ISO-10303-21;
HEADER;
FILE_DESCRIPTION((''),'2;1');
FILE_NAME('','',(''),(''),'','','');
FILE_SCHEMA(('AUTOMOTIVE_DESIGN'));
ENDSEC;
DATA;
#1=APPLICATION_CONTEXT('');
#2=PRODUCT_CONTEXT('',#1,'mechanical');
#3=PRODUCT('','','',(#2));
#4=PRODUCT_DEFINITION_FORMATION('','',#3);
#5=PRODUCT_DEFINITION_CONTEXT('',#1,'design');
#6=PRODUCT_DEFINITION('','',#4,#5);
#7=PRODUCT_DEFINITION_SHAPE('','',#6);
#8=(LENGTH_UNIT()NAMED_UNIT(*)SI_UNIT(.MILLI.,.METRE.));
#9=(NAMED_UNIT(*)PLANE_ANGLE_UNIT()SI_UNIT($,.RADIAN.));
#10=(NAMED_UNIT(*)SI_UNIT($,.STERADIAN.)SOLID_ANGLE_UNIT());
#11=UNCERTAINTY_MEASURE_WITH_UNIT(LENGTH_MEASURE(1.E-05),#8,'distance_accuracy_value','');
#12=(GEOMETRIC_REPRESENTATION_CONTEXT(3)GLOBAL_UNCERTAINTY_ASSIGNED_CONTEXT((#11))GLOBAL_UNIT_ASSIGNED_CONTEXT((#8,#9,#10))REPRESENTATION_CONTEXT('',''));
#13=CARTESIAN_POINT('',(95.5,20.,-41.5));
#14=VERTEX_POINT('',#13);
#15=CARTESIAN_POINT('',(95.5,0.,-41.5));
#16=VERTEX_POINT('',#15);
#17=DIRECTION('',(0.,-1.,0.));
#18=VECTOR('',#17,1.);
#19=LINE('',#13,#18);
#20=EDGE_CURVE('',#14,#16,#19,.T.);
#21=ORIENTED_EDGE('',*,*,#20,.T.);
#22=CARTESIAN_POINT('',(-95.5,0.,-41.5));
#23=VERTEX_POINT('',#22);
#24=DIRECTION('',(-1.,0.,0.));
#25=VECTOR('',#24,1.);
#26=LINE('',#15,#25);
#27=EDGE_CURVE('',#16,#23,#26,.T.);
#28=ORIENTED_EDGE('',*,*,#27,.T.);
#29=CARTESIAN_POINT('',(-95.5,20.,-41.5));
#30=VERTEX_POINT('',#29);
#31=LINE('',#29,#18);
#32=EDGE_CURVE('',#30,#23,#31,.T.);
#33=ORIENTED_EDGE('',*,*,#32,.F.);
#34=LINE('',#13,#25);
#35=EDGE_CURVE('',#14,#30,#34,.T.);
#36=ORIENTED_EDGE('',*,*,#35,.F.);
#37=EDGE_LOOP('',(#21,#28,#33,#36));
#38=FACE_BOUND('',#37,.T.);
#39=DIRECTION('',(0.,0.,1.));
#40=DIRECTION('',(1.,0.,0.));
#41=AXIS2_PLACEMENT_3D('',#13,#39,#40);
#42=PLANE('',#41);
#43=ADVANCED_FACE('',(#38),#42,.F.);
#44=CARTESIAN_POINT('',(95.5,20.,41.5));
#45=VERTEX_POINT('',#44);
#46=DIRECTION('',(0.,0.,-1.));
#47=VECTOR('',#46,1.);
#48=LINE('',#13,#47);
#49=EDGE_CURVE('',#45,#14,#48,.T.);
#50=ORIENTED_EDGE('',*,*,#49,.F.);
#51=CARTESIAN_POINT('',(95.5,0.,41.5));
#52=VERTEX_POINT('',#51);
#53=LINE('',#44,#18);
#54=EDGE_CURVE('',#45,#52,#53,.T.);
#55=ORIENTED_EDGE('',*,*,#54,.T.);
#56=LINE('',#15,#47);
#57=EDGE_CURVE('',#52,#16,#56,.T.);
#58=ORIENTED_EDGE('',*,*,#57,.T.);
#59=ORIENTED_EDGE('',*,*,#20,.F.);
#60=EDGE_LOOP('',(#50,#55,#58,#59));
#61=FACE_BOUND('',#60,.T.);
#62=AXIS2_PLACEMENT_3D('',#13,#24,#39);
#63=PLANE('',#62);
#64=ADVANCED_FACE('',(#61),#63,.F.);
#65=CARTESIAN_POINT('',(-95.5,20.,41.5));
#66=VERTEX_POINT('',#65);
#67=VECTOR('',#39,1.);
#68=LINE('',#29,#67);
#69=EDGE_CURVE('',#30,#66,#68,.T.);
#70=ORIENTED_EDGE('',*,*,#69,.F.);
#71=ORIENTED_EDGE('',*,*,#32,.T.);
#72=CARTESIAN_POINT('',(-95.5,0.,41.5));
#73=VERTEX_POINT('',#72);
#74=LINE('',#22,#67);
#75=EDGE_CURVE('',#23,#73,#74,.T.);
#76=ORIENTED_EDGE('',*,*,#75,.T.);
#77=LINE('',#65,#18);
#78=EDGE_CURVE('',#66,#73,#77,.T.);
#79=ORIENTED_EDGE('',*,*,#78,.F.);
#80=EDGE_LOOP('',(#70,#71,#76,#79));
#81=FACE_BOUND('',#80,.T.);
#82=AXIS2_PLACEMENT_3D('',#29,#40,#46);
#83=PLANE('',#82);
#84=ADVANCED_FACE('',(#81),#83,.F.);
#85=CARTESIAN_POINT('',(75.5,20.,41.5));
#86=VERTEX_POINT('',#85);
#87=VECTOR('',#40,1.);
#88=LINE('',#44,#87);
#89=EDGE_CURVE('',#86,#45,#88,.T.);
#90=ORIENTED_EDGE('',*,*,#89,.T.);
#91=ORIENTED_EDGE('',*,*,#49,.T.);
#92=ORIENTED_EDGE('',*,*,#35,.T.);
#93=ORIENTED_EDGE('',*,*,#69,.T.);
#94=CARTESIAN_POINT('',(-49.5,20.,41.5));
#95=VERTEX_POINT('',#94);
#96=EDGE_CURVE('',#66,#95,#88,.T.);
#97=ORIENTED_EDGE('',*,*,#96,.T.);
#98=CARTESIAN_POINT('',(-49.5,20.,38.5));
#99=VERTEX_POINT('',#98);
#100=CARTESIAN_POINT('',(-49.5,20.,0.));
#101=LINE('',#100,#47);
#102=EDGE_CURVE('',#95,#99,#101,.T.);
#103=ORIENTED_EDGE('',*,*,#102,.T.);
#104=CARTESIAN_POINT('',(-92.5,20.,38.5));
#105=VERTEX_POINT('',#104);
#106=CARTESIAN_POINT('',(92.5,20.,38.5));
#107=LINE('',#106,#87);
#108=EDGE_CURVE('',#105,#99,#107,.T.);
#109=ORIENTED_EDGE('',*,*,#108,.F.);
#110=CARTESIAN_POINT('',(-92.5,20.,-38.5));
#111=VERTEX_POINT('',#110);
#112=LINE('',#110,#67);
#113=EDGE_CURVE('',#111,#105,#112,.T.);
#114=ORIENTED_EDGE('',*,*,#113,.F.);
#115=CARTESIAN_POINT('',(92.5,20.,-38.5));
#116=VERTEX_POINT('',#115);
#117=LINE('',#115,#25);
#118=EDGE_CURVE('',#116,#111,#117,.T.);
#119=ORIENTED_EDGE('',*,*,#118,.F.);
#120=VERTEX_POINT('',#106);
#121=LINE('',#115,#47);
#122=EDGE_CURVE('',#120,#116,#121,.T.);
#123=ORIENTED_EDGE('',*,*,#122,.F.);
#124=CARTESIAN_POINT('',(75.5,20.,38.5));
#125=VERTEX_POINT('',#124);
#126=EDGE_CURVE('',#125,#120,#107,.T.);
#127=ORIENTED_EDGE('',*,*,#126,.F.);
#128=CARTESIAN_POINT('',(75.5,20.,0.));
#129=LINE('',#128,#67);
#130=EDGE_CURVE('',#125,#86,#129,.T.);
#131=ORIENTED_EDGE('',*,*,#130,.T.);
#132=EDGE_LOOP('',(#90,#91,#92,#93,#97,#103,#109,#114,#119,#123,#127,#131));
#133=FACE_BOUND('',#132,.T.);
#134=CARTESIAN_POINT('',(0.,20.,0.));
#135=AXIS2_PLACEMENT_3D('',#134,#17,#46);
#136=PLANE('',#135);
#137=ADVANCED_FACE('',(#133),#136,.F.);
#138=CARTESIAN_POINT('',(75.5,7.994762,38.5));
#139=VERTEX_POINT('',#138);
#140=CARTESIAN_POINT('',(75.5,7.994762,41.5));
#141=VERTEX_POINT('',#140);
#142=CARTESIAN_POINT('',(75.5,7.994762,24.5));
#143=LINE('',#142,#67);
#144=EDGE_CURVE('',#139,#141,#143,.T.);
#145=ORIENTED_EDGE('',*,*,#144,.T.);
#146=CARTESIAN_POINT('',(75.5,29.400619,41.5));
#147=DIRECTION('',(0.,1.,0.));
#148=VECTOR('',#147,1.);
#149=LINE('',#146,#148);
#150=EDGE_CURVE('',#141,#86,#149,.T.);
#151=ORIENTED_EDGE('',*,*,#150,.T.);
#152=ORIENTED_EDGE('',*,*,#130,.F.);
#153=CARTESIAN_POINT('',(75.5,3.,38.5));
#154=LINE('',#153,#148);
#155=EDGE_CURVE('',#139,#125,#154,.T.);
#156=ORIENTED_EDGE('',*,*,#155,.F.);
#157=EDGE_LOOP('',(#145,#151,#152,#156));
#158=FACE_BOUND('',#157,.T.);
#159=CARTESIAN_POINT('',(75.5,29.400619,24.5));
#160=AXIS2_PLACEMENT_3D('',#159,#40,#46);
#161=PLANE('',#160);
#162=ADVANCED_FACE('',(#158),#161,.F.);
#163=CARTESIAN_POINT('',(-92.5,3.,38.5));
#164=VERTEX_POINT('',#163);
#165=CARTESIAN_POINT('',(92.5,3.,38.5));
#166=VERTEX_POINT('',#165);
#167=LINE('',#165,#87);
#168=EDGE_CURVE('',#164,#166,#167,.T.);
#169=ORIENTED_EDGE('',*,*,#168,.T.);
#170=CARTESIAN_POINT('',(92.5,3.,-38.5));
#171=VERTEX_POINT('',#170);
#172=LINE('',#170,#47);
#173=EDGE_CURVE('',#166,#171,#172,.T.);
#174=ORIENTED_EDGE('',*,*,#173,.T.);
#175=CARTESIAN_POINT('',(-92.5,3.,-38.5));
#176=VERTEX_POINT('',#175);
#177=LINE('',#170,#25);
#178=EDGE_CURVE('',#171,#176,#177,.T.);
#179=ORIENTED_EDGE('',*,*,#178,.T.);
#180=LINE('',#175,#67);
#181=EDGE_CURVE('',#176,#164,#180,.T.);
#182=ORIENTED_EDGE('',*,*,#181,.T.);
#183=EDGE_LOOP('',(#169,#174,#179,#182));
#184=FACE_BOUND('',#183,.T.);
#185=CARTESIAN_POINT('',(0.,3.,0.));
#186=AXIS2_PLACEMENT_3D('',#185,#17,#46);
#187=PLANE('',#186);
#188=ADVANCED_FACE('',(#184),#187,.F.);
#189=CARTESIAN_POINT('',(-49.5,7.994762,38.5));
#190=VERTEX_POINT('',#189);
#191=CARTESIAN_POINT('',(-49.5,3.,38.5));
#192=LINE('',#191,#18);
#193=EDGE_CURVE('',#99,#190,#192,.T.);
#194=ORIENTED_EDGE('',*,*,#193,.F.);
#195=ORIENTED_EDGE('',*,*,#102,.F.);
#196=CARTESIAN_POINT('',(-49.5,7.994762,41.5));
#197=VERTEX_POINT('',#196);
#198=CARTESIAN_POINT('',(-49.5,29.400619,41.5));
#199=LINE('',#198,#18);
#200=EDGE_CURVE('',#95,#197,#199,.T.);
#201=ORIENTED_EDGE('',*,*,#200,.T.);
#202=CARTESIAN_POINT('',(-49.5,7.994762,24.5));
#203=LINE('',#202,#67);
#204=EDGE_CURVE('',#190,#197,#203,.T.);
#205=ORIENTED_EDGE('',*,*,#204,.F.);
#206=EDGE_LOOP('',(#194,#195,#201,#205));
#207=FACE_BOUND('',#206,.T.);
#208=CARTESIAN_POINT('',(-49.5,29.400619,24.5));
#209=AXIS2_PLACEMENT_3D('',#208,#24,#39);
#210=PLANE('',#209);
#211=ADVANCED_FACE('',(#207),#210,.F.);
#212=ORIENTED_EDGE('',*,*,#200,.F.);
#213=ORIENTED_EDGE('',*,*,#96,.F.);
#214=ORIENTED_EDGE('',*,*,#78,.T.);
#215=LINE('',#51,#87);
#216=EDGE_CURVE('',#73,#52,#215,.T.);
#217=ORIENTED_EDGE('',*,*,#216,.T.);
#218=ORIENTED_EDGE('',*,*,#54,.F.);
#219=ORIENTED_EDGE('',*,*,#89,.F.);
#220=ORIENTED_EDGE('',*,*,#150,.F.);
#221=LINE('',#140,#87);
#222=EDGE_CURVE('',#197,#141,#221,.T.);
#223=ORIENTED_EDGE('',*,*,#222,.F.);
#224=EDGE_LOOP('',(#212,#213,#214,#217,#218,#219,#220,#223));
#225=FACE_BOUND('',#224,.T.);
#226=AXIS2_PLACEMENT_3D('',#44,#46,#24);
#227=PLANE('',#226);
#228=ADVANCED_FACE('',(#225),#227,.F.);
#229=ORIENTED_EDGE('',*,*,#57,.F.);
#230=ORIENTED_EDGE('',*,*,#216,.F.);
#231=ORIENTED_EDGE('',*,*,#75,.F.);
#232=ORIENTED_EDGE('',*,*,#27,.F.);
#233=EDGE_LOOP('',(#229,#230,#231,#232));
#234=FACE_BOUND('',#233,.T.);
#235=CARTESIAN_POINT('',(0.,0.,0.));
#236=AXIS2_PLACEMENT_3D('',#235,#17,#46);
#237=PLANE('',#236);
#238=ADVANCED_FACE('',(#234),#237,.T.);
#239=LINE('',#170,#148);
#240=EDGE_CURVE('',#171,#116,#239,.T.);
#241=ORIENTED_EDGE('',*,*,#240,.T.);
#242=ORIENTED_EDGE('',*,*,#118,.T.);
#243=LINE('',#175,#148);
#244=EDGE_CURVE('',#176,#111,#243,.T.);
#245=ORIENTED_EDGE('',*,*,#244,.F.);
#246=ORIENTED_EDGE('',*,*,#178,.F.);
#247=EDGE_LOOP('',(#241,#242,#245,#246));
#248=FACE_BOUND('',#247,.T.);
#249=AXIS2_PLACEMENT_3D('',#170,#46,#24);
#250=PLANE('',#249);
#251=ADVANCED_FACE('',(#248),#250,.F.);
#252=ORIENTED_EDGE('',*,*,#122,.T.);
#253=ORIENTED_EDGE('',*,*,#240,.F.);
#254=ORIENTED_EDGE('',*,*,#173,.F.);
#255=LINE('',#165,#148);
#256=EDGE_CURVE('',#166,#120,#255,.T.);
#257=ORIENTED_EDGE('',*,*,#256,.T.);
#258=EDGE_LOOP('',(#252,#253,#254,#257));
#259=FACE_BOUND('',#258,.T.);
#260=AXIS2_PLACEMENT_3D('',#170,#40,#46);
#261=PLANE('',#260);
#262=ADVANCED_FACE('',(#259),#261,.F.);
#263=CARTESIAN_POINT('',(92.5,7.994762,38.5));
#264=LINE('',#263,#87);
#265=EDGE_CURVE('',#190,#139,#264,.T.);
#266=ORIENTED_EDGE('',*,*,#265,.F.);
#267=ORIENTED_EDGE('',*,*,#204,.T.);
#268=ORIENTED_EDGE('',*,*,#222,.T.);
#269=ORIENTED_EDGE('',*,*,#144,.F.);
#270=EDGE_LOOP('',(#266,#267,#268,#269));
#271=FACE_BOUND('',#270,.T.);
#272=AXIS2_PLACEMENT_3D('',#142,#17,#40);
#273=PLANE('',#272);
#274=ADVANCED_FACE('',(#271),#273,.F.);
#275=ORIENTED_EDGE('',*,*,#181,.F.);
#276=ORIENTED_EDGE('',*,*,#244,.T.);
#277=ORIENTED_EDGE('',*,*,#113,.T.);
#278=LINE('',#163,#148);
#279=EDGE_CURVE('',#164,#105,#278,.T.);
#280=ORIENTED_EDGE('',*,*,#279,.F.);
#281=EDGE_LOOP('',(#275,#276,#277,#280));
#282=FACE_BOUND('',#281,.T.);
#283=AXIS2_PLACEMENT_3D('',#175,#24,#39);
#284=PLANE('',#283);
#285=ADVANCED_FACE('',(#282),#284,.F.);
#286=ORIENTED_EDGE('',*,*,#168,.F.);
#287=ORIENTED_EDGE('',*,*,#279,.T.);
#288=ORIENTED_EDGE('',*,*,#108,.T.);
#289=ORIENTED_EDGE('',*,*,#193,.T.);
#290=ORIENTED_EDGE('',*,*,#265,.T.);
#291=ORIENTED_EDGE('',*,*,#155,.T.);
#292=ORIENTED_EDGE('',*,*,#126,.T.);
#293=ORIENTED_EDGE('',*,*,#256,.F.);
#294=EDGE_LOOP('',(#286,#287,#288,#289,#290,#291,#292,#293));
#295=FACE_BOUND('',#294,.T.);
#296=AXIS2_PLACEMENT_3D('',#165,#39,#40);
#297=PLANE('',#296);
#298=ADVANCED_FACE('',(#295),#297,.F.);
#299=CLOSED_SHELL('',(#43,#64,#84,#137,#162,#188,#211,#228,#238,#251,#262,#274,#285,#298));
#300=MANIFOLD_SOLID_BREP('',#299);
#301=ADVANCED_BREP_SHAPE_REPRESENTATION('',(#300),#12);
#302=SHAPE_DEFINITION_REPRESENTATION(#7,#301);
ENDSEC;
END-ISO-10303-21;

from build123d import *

# Parameters (mm, degrees)
SKETCH1_W           = 191
SKETCH1_H           = 83
BOSS_EXTRUDE2_DEPTH = 20
SKETCH3_W           = 185
SKETCH3_H           = 77
CUT_EXTRUDE2_DEPTH  = 17
SKETCH5_W           = 125
SKETCH5_H           = 21.405857205
CUT_EXTRUDE3_DEPTH  = 17


with BuildPart() as part:
    # Sketch1 → Boss-Extrude2 (new body)
    with BuildSketch(Plane(origin=(0, 0, 0), x_dir=(1, 0, 0), z_dir=(0, 1, 0))):
        Rectangle(SKETCH1_W, SKETCH1_H)
    extrude(amount=BOSS_EXTRUDE2_DEPTH)

    # Sketch3 → Cut-Extrude2 (cut)
    with BuildSketch(Plane(origin=(0, 20, 0), x_dir=(1, 0, 0), z_dir=(0, 1, 0))):
        Rectangle(SKETCH3_W, SKETCH3_H)
    extrude(amount=-CUT_EXTRUDE2_DEPTH, mode=Mode.SUBTRACT)

    # Sketch5 → Cut-Extrude3 (cut)
    with BuildSketch(Plane.XY.offset(41.5)):
        with Locations((13, 18.697690384)):
            Rectangle(SKETCH5_W, SKETCH5_H)
    extrude(amount=-CUT_EXTRUDE3_DEPTH, mode=Mode.SUBTRACT)


solid = part.part
